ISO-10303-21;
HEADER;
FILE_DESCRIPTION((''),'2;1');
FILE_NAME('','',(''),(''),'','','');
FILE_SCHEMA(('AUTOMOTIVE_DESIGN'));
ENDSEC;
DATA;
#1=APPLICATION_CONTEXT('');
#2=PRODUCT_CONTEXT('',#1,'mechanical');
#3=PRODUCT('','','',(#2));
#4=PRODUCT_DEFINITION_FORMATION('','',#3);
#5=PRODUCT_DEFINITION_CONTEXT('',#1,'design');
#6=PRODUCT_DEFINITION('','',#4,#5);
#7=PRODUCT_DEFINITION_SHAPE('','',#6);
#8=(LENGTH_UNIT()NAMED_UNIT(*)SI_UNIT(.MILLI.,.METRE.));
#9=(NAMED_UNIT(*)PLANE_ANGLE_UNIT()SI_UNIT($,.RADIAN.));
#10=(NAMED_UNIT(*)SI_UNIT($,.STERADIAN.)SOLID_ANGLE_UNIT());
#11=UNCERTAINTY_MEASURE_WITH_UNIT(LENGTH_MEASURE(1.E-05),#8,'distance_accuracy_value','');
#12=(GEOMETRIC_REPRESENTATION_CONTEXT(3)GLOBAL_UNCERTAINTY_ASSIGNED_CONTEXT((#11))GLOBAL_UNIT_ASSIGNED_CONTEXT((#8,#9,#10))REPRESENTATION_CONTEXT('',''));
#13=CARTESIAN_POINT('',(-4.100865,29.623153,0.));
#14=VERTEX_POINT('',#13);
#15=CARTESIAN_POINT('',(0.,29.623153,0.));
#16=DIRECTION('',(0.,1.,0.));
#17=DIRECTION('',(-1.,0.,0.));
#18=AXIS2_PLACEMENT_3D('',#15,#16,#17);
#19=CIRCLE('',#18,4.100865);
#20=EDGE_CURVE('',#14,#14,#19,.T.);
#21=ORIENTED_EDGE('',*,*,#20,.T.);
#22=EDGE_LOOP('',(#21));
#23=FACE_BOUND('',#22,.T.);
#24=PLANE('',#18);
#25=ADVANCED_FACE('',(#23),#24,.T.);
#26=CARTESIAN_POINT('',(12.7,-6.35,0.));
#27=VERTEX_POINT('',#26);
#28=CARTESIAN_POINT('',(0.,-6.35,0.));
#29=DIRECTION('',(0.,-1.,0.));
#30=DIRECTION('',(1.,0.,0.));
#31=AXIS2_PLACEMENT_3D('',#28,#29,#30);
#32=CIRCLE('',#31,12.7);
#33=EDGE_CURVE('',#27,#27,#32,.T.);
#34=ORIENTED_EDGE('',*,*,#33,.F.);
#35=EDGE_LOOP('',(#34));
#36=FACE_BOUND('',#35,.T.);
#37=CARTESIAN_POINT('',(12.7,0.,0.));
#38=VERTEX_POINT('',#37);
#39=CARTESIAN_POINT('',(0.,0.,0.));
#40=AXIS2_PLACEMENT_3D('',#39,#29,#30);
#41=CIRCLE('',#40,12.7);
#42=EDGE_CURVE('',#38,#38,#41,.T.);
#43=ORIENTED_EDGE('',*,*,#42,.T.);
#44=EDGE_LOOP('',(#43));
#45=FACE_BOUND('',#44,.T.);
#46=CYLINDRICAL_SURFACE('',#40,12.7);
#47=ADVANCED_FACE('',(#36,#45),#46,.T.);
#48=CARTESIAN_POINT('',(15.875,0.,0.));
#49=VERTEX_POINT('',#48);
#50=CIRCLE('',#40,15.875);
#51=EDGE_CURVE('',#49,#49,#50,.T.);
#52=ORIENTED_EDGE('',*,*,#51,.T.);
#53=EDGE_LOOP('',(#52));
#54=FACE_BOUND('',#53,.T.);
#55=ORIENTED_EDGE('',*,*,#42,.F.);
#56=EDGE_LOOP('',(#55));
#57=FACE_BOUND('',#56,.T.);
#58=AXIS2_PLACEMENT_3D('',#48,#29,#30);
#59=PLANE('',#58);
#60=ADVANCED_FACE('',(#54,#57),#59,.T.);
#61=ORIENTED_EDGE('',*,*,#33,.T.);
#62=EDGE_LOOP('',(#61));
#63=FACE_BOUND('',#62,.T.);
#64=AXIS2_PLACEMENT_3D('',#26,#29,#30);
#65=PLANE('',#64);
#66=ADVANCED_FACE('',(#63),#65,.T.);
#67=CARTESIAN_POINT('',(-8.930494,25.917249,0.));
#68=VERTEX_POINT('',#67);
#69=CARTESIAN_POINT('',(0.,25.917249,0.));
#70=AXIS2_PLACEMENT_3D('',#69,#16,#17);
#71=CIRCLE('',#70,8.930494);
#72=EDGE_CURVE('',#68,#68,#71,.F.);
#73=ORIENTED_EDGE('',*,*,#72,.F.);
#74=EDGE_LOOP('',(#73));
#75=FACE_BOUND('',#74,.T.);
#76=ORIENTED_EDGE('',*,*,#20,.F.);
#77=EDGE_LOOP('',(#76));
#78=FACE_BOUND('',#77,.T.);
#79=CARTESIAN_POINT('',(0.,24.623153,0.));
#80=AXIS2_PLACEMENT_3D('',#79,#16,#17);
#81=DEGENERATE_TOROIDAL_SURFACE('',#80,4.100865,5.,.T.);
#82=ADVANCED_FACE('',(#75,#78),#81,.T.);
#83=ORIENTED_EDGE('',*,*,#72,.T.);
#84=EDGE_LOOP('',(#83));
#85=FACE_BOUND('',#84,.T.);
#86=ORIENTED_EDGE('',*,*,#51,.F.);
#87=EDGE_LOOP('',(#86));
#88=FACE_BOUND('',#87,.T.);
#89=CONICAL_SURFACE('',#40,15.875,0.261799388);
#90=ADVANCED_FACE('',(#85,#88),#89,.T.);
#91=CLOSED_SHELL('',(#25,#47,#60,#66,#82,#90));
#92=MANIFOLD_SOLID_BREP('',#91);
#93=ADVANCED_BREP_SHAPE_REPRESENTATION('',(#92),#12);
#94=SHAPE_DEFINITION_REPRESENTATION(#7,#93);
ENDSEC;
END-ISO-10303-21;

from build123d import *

# Parameters (mm, degrees)
FILLET1_R = 5


with BuildPart() as part:
    # Sketch1 → Revolve1 (revolve)
    with BuildSketch(Plane.XY):
        Polygon((0, 0), (0, 29.623153285), (7.9375, 29.623153285), (15.875, 0), (12.7, 0), (12.7, -6.35), (0, -6.35), align=None)
    revolve(axis=Axis((0, 0, 0), (0, 1, 0)))

    # Fillet1
    fillet1_edges = [part.edges().sort_by_distance(p)[0] for p in [
        (-7.9375, 29.623153285, 0),
    ]]
    fillet(fillet1_edges, radius=FILLET1_R)


solid = part.part
